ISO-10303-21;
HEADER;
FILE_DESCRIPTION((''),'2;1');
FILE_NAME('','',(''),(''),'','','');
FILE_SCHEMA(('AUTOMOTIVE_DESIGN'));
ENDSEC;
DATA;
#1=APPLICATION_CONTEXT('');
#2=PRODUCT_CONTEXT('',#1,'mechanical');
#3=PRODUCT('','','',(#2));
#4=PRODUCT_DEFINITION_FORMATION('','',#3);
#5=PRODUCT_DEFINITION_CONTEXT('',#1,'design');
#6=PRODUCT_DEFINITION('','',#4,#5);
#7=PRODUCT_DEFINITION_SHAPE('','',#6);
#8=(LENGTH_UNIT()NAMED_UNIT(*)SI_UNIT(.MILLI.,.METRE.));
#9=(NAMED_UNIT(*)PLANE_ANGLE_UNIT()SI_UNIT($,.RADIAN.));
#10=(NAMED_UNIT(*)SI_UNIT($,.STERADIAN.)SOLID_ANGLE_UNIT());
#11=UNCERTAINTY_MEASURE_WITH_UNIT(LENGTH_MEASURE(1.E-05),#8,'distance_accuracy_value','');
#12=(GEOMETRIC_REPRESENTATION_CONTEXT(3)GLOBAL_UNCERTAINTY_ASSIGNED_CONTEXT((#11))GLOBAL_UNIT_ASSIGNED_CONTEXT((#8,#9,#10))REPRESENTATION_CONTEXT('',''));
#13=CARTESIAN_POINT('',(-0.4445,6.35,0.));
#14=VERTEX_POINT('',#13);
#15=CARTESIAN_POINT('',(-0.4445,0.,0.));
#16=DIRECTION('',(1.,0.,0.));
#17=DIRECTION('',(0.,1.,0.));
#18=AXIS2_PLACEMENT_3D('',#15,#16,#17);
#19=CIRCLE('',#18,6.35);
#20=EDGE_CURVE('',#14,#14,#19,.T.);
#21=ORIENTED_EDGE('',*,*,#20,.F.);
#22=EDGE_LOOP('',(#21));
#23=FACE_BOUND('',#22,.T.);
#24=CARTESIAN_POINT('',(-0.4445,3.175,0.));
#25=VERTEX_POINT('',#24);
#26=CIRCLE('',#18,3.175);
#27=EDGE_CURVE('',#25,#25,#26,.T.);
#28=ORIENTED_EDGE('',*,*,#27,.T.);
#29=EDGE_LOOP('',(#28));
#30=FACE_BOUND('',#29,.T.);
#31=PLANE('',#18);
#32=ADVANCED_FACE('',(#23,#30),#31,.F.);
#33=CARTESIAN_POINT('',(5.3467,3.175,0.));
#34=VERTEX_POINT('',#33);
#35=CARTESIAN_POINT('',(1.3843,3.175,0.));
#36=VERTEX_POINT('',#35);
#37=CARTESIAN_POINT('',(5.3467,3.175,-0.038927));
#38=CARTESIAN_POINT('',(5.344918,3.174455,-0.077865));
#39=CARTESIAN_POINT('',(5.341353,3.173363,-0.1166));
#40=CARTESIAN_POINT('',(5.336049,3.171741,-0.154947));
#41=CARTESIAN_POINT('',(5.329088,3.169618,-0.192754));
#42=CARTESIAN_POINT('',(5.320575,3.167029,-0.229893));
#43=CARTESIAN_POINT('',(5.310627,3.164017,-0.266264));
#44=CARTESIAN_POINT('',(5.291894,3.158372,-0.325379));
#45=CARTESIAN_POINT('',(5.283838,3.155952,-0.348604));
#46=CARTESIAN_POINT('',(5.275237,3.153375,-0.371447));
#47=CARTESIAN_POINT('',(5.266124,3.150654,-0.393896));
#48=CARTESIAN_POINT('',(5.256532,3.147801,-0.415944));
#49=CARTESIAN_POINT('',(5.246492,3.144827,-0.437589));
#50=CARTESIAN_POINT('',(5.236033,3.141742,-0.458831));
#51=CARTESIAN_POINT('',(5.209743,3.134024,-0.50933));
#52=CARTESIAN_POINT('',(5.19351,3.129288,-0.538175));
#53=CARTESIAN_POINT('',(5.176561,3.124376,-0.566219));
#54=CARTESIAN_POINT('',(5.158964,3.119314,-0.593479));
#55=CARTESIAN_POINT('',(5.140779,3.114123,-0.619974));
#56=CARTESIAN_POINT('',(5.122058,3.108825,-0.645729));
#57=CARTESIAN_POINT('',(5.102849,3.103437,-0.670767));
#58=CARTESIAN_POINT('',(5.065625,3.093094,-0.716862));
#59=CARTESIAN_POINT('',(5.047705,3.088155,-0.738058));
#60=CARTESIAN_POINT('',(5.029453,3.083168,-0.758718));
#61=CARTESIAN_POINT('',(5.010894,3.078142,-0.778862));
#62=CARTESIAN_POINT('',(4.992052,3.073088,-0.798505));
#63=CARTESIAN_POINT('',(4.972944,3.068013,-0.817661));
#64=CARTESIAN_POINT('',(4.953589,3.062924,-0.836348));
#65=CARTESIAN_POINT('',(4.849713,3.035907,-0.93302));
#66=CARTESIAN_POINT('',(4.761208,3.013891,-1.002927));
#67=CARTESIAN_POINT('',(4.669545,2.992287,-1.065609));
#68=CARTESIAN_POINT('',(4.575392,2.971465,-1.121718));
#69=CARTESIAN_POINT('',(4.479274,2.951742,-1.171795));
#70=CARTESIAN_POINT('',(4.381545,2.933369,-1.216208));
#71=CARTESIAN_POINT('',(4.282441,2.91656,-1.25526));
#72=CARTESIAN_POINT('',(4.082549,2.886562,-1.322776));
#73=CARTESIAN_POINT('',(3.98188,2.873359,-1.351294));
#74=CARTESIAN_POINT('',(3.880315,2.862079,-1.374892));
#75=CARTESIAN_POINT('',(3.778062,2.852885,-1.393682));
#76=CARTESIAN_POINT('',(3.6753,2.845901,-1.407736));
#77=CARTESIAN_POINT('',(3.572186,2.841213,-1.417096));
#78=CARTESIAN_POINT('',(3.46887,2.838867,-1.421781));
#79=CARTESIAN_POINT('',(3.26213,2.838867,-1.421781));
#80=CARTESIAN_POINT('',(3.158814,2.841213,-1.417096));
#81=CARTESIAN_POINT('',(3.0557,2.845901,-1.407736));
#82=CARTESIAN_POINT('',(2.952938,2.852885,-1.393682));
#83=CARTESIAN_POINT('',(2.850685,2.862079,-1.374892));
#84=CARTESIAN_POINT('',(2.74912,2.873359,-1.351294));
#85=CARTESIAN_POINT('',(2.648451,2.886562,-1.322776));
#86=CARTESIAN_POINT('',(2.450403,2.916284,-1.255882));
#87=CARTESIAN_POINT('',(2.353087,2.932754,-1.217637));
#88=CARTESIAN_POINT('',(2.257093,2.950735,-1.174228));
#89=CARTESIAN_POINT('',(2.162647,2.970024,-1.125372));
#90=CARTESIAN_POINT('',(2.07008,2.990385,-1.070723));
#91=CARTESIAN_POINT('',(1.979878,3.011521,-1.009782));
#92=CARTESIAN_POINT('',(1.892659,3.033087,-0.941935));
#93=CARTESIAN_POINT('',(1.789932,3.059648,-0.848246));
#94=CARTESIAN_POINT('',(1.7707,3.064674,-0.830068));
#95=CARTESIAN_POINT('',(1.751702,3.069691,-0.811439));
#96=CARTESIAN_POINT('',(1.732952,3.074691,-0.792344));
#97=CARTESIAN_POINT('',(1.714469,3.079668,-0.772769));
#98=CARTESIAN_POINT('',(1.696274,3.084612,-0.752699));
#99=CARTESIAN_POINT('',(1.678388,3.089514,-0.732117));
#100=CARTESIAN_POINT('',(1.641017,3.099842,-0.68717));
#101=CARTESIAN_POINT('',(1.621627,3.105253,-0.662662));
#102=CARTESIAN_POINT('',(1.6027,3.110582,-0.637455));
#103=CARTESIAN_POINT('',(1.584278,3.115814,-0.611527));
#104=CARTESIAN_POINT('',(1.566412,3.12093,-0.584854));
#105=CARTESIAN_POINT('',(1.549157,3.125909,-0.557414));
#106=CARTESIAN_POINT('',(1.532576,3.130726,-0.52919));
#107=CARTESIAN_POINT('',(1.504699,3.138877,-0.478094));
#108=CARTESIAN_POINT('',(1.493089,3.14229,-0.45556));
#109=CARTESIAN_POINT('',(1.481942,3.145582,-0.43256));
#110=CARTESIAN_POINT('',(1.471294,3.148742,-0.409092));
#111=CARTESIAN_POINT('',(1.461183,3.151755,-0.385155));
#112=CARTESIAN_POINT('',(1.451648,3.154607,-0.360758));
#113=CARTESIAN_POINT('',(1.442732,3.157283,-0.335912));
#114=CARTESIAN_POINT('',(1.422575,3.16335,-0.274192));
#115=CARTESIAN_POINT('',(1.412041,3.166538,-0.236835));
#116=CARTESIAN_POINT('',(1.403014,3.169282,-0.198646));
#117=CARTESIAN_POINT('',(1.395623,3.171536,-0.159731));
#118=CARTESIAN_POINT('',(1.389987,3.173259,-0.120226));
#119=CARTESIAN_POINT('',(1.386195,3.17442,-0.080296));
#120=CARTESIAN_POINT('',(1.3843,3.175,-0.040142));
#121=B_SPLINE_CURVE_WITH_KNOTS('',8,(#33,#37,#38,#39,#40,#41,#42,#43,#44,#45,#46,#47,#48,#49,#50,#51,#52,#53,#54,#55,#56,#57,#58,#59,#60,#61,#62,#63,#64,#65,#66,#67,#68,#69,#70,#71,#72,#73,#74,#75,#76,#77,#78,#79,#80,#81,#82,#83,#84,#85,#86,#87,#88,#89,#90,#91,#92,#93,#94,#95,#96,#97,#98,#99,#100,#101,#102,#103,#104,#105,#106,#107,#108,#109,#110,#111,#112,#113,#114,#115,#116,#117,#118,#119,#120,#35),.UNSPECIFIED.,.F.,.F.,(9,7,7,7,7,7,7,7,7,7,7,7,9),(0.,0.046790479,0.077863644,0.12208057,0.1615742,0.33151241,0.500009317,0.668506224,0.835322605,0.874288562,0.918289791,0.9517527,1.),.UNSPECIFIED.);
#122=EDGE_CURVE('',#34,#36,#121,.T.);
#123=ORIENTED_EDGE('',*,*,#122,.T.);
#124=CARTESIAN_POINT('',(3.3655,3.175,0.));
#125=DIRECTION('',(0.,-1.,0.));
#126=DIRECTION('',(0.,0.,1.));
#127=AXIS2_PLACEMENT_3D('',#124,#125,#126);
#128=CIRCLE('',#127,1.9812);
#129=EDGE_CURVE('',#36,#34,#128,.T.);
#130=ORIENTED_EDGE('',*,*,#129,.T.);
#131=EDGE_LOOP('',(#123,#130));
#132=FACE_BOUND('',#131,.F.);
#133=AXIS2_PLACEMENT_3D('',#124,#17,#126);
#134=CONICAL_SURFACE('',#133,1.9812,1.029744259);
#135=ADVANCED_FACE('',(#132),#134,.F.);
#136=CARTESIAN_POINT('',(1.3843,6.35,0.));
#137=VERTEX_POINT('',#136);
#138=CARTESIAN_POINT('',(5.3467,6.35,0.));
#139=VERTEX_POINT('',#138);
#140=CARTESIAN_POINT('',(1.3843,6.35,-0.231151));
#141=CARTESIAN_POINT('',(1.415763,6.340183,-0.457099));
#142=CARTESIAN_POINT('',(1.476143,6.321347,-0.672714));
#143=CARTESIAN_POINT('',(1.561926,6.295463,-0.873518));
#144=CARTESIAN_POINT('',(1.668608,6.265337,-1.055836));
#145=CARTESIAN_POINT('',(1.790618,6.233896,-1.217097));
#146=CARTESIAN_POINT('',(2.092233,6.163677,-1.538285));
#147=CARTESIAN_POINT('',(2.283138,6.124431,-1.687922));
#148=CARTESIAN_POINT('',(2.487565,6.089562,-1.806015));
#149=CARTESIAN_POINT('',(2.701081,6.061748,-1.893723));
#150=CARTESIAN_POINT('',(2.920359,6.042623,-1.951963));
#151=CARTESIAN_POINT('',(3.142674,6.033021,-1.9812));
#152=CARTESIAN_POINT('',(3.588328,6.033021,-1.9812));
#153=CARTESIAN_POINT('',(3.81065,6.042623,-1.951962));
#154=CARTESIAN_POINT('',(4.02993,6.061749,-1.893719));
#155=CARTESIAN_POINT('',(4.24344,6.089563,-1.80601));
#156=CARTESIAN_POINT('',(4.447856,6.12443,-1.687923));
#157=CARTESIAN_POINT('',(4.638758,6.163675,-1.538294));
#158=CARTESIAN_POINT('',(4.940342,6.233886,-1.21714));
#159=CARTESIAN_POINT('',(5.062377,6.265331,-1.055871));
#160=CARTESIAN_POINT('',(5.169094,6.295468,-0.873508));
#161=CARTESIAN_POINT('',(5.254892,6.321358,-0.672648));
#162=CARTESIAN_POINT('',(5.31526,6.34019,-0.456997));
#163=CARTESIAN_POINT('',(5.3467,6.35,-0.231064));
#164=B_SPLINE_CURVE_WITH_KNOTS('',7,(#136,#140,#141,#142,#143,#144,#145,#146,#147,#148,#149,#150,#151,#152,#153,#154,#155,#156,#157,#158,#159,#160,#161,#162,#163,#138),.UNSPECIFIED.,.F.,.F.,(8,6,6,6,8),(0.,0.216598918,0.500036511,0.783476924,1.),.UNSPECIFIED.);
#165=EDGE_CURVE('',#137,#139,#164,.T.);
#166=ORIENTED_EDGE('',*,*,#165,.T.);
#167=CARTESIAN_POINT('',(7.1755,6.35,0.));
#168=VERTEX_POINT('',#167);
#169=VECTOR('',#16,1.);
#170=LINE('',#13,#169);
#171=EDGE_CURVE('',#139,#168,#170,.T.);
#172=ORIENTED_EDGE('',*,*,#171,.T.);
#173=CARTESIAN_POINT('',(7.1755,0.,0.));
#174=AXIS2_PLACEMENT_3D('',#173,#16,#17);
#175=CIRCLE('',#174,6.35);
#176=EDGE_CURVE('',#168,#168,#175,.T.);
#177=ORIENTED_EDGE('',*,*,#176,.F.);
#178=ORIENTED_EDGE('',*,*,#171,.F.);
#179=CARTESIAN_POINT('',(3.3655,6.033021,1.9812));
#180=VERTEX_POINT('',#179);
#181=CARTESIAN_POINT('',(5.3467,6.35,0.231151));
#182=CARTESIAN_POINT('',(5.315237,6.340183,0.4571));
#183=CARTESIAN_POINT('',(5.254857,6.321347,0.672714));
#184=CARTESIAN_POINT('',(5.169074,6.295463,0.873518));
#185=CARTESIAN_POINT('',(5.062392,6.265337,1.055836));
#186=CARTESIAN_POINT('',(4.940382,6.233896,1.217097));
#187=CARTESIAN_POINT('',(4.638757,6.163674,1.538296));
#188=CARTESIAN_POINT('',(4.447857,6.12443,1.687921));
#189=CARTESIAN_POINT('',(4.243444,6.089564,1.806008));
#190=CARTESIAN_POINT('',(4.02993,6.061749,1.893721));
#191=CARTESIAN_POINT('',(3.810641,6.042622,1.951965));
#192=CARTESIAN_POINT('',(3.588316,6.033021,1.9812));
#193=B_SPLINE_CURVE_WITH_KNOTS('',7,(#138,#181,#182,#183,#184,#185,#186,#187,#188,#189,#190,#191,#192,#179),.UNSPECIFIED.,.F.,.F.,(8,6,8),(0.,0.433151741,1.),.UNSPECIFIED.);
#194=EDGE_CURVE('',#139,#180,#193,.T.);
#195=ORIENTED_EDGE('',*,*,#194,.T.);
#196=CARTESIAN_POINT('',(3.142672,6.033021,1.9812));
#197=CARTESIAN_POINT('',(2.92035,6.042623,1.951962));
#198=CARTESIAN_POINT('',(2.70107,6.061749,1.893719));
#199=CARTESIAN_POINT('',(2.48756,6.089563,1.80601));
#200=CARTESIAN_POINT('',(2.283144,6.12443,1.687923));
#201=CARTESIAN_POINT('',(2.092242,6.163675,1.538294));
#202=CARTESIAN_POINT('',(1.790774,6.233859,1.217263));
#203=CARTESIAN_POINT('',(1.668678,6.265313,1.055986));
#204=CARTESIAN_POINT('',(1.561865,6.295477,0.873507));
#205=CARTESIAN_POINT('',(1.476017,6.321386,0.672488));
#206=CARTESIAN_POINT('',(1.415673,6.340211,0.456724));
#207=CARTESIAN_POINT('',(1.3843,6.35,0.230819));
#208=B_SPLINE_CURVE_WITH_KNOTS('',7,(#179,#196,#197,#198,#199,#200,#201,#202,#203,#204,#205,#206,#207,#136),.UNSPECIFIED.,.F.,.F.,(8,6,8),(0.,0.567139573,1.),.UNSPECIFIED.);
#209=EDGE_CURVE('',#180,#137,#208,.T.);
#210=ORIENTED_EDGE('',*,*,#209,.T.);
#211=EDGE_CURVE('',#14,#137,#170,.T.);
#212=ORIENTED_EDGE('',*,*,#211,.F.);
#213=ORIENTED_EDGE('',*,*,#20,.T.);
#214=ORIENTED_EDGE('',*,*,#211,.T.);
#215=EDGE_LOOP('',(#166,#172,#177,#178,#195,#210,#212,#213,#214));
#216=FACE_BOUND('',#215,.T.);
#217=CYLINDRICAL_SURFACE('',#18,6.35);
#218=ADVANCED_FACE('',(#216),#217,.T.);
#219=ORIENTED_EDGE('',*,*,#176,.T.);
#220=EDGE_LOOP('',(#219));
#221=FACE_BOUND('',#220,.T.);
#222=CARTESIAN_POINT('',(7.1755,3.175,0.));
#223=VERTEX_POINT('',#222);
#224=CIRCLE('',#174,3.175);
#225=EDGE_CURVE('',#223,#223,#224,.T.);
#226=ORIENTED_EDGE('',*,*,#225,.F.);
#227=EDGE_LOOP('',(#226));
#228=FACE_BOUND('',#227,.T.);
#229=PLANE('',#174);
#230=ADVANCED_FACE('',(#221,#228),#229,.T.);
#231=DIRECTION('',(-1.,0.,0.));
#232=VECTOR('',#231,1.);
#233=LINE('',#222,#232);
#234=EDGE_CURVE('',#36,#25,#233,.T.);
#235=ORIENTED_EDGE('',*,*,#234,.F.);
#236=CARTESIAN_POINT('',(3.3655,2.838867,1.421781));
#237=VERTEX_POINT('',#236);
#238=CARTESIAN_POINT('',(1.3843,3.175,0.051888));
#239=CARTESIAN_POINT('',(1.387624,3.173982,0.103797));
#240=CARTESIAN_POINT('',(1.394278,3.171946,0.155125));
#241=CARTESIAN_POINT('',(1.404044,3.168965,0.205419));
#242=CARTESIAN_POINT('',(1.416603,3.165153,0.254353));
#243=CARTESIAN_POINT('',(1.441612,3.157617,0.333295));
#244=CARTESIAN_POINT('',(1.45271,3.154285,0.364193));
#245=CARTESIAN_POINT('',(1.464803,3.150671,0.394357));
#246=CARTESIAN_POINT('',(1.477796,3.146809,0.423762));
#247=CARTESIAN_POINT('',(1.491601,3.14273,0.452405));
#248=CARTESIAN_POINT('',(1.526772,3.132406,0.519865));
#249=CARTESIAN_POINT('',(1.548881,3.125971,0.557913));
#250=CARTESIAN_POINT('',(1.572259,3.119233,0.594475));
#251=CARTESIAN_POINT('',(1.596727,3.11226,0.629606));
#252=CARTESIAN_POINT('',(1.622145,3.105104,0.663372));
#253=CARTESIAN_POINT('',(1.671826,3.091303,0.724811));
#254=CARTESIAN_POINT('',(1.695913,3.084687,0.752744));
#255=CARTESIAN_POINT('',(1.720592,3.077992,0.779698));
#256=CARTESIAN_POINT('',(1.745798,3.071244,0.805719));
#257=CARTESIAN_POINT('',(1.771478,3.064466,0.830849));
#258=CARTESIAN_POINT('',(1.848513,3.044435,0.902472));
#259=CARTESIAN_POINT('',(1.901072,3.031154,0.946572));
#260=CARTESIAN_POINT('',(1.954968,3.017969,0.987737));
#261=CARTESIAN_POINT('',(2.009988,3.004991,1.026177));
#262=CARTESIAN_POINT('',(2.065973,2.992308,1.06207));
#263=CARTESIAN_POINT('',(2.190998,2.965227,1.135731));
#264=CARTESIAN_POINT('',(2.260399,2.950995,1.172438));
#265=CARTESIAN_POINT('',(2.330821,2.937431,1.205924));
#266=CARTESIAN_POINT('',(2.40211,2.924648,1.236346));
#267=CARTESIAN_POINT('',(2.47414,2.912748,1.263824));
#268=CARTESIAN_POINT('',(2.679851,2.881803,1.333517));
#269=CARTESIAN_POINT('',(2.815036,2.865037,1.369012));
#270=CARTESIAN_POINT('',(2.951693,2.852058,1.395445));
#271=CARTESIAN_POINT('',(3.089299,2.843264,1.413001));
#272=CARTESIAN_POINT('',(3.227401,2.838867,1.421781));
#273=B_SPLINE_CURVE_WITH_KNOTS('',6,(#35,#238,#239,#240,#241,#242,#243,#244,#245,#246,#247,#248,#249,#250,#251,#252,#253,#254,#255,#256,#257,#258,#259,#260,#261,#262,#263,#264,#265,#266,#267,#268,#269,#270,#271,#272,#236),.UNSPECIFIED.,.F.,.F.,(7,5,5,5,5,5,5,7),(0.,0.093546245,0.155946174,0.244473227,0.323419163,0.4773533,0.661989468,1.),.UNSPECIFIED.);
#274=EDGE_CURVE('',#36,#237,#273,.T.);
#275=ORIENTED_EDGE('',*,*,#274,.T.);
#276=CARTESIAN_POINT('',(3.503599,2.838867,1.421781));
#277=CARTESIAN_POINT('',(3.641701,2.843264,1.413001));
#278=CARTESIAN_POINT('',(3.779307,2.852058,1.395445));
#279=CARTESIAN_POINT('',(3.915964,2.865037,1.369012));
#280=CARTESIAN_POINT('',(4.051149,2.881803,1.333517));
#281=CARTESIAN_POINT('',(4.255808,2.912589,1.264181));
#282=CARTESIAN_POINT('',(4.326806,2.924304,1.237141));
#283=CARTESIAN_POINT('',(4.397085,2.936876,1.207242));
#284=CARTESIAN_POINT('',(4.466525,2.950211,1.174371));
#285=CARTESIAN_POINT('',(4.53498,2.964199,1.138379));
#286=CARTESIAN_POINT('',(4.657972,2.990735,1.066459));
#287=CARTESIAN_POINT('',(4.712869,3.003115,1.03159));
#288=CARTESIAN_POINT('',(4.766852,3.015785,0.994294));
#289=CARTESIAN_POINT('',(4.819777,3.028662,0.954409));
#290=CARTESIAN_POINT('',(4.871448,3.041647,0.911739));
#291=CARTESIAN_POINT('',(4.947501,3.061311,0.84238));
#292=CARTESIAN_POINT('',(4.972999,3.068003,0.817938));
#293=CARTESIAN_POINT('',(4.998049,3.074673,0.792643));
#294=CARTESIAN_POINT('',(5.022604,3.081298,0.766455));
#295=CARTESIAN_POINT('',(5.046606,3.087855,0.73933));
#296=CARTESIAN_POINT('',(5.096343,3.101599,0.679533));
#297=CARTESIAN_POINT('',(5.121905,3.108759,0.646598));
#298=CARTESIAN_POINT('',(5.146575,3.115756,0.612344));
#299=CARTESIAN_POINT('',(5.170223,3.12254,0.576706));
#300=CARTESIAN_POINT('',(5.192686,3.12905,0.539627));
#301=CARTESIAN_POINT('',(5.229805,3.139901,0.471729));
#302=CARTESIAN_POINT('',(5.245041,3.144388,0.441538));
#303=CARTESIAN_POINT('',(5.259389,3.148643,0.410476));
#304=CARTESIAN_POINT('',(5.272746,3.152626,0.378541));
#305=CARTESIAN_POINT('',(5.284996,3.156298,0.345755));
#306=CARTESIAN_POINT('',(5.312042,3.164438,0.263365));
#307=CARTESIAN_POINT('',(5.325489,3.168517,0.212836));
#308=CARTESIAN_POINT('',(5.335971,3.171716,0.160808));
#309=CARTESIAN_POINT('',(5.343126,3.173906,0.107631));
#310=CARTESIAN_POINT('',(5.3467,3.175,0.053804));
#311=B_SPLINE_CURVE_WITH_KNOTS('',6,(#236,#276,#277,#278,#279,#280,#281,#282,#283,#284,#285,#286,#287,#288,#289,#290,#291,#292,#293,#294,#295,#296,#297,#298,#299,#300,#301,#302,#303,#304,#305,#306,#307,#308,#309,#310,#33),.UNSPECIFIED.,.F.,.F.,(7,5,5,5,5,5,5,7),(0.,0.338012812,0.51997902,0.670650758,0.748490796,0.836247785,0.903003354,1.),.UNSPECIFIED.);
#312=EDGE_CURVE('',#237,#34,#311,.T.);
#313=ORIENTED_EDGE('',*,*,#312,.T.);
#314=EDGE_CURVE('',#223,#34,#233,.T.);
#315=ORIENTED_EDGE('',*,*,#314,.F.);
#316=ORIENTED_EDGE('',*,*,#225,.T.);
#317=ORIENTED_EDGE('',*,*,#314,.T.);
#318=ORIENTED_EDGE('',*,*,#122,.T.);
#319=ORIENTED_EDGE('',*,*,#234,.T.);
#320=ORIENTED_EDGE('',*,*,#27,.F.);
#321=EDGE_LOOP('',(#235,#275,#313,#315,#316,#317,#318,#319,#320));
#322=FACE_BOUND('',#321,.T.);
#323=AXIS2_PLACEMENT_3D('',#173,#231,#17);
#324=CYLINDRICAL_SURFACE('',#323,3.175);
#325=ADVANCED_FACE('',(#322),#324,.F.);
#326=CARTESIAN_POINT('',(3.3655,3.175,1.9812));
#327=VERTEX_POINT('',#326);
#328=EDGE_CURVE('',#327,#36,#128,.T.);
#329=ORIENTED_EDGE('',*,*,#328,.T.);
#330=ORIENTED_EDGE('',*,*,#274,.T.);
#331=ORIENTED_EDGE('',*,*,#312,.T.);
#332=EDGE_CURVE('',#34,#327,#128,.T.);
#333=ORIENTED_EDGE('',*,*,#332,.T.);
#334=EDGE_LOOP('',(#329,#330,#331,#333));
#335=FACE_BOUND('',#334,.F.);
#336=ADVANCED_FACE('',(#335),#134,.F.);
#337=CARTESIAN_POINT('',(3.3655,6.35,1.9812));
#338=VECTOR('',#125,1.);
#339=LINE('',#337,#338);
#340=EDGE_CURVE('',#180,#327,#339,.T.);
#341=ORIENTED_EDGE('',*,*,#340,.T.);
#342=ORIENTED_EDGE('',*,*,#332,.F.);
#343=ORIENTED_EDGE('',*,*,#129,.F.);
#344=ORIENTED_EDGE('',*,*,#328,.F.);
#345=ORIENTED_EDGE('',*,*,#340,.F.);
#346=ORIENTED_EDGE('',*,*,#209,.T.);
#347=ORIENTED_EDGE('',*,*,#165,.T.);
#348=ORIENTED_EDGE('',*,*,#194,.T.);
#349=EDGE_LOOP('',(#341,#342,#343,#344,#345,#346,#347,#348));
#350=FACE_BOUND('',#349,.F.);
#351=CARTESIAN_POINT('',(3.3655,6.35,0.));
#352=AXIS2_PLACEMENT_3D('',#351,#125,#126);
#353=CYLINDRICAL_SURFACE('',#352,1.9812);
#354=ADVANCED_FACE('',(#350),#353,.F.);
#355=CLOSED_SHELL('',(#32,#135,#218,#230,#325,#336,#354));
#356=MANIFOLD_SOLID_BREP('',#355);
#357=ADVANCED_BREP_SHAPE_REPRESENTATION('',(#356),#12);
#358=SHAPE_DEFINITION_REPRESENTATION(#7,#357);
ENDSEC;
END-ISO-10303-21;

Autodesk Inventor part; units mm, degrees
ref_plane "YZ Plane" through (0, 0, 0) normal (1, 0, 0) x (0, 1, 0)
ref_plane "XZ Plane" through (0, 0, 0) normal (0, 1, 0) x (-1, 0, 0)
sketch "Sketch2" plane through (0, 0, 0) normal (0, 0, 1) x (1, 0, 0)
  line L0 (0, 0) -> (7.62, 0)
  line L1 (-0.4445, 6.35) -> (7.1755, 6.35)
  line L2 (7.1755, 6.35) -> (7.1755, 3.175)
  line L3 (7.1755, 3.175) -> (-0.4445, 3.175)
  line L4 (-0.4445, 3.175) -> (-0.4445, 6.35)
  point P0 (3.3655, 6.35)
  dimension "d8" = 7.62
  dimension "d9" = 3.175
  dimension "d10" = 7.62
  dimension "d11" = 3.175
revolve "Revolution1" add sketch "Sketch2" angle 360 about axis through (0, 0, 0) along (1, 0, 0)
ref_plane "Work Plane1" through (3.3655, 6.35, 0) normal (0, 1, 0) x (-1, 0, 0)
sketch "Sketch3" plane through (3.3655, 6.35, 0) normal (0, 1, 0) x (-1, 0, 0)
  point P0 (3.3655, 0)
  point P1 (0, 0)
hole "Hole1" at (3.3655, 6.35, 0) direction (0, -1, 0) diameter 3.9624 depth 3.175 tip angle 118 thread size "10-32 UNF" class "2B" standard "ANSI Unified Screw Threads"
equation "\"d10\" = d8"
properties part number "Collar" material "Aluminum 6061"
